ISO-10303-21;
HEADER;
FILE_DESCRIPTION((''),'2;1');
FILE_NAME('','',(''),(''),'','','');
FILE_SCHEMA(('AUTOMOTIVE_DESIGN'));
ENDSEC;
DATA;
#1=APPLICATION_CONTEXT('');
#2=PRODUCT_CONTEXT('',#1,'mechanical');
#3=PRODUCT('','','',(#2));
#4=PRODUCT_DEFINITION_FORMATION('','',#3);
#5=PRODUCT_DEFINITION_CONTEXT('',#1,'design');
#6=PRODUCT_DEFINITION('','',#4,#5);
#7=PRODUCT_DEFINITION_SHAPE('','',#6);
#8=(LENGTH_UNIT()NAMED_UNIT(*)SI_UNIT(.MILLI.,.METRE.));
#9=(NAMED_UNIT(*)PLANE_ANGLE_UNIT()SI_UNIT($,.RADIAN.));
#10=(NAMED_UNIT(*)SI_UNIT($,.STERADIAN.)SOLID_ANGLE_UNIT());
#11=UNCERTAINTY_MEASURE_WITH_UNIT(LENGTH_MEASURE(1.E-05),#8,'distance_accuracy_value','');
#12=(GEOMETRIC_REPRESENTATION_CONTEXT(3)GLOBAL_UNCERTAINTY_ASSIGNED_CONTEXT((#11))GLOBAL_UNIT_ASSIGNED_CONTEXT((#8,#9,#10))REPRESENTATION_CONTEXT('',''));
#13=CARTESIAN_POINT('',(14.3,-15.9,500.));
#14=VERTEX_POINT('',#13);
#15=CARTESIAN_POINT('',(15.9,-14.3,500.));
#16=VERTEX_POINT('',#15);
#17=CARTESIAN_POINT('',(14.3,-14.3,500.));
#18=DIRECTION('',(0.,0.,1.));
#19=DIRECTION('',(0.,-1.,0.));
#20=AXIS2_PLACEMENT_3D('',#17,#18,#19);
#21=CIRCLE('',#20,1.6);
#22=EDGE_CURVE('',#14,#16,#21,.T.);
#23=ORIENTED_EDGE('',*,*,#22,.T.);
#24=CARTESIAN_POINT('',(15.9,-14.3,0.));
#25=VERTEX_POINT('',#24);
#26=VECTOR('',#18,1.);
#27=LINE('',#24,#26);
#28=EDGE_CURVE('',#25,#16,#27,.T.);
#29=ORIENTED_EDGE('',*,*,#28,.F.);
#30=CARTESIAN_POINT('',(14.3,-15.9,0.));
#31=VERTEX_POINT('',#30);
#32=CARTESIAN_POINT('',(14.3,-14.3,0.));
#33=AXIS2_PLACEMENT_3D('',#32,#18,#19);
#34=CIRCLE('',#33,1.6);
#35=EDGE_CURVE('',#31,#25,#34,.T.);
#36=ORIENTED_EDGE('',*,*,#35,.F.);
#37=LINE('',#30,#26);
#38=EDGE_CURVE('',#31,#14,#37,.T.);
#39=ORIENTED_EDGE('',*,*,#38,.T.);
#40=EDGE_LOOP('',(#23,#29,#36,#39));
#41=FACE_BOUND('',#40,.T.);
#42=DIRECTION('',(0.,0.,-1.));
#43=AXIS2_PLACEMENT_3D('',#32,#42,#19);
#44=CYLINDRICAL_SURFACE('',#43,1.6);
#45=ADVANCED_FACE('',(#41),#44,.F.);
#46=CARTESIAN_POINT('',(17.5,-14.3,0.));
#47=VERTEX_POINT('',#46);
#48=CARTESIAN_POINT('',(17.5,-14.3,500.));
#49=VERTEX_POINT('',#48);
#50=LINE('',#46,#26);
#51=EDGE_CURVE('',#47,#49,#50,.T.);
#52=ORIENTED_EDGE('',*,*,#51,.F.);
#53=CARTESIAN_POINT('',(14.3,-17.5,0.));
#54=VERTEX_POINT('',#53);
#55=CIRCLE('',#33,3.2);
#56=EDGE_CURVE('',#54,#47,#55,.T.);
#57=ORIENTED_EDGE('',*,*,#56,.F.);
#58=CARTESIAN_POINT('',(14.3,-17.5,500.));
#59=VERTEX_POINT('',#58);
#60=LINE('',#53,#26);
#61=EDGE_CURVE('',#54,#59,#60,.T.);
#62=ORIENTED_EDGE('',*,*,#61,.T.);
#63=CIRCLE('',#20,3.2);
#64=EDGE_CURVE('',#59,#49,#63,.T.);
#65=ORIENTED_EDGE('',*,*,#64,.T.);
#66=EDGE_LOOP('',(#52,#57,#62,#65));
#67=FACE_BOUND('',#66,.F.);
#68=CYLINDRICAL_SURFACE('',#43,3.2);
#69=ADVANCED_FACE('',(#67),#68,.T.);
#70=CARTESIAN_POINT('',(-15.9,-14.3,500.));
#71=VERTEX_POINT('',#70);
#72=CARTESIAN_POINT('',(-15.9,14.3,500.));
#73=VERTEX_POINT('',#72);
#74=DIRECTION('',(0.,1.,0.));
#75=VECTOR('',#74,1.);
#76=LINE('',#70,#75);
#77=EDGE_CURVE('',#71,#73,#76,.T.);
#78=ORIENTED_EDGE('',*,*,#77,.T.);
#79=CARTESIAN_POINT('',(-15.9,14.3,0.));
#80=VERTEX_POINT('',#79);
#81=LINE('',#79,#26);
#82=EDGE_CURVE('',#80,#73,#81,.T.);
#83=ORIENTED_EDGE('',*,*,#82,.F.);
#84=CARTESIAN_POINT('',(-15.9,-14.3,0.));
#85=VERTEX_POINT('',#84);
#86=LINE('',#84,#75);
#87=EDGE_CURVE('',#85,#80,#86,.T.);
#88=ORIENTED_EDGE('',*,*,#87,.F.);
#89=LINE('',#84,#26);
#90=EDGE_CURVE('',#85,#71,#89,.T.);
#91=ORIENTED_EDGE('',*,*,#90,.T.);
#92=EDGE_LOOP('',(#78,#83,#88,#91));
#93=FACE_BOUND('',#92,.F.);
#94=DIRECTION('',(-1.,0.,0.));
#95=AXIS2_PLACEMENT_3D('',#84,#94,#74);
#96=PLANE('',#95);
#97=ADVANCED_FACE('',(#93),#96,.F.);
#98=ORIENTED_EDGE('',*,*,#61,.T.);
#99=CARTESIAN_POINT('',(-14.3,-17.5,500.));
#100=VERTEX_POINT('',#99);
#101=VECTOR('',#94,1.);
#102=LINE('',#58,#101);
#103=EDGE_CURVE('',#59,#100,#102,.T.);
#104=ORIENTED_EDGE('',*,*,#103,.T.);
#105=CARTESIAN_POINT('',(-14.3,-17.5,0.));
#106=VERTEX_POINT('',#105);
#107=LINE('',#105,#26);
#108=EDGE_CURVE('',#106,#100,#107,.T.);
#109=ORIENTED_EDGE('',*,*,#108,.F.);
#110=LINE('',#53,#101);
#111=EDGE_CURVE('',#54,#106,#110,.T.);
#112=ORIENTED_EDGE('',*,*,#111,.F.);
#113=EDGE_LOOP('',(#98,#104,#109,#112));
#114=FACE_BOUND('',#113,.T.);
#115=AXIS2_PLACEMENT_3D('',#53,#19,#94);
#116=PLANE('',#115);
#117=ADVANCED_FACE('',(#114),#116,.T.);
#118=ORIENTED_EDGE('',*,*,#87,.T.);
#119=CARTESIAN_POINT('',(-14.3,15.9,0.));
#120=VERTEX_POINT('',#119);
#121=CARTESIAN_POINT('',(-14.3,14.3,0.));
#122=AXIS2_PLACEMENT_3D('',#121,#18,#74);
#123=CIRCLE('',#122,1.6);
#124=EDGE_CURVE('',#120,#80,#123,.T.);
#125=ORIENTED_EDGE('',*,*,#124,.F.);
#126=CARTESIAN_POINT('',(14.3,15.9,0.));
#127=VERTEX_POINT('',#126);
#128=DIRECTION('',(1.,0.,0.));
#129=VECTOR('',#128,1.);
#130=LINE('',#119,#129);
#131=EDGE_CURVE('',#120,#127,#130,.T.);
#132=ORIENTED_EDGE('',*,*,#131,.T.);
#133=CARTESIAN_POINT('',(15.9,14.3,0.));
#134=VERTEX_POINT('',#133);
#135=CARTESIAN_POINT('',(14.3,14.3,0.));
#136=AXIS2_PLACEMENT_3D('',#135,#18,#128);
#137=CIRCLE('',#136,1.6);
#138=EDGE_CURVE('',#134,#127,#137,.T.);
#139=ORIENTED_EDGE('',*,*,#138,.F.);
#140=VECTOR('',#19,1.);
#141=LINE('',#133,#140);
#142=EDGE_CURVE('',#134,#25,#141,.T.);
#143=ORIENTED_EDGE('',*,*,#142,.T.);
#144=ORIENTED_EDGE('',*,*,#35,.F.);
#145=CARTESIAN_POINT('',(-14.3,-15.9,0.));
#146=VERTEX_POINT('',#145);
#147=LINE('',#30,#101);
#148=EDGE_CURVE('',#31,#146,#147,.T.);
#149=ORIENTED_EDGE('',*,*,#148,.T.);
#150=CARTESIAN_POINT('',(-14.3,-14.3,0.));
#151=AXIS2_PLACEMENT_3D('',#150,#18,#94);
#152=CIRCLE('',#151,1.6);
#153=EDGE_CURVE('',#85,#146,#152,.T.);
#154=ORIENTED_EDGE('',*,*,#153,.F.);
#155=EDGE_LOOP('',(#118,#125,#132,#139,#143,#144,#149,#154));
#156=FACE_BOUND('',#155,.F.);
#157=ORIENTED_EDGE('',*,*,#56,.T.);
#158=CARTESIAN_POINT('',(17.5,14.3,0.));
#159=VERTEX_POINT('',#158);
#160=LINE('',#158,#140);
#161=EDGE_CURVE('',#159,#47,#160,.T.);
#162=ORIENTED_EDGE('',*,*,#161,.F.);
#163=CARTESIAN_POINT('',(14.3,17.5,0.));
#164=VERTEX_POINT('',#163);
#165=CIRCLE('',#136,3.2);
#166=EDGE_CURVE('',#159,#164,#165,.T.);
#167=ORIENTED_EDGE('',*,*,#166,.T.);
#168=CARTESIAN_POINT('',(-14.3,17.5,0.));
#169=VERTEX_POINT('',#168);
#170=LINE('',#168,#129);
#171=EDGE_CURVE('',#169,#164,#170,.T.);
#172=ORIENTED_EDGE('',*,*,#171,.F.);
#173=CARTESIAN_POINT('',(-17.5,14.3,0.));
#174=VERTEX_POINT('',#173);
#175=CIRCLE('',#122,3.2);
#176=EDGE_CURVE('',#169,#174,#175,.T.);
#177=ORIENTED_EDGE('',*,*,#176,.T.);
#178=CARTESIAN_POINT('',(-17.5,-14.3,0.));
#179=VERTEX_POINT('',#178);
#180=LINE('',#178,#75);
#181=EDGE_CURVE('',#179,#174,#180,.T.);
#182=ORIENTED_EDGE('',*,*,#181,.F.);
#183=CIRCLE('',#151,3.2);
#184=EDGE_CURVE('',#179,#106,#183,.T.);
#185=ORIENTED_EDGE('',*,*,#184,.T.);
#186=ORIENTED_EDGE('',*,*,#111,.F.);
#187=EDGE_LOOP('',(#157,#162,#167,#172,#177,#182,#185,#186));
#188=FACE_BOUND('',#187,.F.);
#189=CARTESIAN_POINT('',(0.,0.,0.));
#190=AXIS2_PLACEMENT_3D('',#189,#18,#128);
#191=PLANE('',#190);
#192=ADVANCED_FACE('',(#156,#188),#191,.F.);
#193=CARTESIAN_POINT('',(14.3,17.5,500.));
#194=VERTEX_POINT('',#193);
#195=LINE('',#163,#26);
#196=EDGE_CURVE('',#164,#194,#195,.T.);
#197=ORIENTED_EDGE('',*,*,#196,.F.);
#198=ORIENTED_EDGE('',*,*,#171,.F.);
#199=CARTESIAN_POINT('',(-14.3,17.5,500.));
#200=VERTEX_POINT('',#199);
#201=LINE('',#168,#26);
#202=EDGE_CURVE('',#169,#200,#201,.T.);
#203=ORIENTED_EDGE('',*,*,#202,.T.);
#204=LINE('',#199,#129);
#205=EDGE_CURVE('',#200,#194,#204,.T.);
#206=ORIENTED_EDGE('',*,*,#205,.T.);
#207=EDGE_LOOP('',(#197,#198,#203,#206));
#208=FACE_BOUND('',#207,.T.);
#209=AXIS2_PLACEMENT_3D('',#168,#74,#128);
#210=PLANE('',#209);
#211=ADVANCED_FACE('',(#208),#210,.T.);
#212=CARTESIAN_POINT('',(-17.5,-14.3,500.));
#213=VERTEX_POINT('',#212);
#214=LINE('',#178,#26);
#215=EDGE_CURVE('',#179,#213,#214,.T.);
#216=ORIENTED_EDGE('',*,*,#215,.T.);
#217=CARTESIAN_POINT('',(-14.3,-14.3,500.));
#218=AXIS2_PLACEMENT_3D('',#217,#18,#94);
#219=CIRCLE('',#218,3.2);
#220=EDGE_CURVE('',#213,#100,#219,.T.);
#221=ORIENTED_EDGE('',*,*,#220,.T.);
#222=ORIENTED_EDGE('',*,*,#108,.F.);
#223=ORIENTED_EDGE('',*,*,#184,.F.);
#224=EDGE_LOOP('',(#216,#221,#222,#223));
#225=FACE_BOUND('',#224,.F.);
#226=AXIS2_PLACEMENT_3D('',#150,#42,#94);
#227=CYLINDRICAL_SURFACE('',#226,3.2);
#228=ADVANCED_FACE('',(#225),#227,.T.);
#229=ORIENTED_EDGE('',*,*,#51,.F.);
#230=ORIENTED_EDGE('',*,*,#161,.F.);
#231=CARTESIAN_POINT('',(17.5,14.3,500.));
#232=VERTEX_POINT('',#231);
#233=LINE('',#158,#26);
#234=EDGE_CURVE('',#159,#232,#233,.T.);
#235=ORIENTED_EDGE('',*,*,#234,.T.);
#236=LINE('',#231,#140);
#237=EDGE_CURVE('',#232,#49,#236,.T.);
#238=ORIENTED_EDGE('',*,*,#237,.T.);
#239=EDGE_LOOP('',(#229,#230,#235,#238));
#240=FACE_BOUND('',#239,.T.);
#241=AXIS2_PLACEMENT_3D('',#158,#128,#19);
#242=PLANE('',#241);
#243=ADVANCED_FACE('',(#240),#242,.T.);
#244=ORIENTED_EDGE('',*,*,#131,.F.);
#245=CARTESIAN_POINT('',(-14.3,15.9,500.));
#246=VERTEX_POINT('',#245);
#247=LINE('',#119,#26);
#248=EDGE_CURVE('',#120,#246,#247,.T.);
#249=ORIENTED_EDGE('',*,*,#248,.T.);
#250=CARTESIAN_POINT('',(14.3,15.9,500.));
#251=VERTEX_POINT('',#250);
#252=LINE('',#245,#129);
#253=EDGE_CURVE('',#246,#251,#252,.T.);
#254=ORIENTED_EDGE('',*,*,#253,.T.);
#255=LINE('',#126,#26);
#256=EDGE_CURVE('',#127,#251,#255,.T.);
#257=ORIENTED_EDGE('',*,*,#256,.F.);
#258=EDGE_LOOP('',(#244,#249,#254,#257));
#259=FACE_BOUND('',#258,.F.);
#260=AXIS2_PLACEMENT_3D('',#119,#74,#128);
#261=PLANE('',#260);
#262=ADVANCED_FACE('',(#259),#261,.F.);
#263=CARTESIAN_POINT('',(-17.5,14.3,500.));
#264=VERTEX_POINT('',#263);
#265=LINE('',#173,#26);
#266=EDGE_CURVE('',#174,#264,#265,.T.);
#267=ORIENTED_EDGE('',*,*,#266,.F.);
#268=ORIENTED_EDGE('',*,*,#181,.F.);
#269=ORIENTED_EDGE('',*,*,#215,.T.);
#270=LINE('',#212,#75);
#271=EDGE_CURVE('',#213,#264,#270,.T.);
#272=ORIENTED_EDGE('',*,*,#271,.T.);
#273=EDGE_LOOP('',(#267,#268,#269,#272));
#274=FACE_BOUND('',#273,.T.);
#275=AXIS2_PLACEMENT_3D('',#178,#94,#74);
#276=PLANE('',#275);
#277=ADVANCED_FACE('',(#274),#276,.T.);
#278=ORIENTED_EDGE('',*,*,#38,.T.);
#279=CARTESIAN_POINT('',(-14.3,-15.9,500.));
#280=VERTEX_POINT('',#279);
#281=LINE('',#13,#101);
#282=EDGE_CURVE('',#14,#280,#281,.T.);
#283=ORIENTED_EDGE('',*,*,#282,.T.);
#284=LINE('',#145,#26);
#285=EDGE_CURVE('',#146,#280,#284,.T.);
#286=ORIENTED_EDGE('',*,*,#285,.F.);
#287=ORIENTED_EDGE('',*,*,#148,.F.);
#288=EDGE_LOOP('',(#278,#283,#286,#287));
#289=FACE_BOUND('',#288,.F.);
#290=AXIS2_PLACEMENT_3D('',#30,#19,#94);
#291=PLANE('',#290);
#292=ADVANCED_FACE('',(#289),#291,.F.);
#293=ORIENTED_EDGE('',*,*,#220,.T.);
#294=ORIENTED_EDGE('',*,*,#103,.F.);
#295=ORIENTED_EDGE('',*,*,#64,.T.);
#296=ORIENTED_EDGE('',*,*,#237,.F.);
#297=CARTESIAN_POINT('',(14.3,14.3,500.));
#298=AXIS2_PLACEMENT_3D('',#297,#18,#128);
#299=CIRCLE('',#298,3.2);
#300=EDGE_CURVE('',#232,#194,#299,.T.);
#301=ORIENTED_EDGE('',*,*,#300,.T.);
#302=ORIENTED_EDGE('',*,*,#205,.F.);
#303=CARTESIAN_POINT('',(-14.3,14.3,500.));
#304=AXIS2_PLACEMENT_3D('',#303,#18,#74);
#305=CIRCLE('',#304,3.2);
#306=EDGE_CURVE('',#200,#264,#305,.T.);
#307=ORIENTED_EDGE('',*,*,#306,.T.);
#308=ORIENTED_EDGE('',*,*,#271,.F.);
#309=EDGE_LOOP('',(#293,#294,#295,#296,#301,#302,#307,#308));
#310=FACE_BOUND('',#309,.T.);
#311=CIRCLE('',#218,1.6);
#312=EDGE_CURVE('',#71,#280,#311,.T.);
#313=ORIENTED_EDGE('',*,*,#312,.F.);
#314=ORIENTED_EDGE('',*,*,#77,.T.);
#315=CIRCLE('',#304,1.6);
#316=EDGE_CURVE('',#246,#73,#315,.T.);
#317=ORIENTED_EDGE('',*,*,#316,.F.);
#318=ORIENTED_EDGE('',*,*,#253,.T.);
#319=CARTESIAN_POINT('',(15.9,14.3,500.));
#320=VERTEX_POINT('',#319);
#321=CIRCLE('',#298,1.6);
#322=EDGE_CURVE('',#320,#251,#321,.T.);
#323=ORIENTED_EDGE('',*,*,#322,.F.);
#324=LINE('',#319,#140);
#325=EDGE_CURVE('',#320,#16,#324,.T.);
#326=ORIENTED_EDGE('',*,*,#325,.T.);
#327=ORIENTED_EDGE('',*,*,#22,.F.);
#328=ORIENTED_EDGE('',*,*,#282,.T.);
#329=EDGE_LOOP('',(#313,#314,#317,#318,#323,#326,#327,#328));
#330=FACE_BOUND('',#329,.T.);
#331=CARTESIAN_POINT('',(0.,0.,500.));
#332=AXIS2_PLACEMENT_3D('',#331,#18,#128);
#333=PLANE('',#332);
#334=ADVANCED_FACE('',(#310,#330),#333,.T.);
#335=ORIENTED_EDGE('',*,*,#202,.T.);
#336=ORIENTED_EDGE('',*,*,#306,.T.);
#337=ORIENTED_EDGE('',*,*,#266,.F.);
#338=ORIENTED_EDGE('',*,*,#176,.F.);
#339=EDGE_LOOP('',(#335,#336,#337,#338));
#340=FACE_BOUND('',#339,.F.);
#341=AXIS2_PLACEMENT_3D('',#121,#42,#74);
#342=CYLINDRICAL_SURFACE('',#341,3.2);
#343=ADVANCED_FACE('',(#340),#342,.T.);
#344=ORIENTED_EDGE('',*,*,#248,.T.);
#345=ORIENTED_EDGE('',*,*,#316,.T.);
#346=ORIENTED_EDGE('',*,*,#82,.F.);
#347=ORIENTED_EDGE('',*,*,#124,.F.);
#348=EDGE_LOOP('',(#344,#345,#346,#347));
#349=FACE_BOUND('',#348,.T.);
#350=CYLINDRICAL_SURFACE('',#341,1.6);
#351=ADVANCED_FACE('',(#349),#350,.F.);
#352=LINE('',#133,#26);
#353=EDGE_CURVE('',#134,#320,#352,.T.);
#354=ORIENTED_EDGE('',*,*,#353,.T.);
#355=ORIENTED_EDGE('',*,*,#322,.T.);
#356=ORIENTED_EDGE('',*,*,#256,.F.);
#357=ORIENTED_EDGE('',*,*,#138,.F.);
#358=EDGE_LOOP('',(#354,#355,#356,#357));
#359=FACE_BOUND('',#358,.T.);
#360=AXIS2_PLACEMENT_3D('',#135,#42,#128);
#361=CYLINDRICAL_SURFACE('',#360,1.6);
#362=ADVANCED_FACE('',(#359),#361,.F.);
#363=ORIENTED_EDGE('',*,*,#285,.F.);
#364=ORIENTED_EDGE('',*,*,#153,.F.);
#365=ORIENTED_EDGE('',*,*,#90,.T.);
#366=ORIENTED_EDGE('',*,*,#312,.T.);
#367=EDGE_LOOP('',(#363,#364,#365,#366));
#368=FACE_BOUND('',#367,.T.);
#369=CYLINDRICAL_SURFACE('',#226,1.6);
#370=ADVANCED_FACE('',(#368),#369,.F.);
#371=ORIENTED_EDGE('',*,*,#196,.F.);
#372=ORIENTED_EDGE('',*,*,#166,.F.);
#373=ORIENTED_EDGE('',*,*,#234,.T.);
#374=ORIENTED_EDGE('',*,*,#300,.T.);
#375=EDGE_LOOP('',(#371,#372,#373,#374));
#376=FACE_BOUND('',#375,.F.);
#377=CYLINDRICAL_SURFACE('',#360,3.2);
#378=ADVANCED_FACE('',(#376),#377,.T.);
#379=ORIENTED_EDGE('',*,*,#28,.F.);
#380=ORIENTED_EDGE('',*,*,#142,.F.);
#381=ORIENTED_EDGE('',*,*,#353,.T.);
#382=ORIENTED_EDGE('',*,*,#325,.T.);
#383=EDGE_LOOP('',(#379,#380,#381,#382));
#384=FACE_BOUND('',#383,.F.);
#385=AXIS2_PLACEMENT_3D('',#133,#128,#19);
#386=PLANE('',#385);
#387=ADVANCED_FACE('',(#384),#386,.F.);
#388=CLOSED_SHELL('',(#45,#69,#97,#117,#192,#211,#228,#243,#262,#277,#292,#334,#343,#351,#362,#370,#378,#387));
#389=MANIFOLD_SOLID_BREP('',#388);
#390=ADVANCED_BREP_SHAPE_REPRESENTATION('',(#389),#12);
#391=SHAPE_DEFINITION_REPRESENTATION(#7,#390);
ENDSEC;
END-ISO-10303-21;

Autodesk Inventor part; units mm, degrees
ref_plane "YZ Plane" through (0, 0, 0) normal (1, 0, 0) x (0, 1, 0)
ref_plane "Start plane" through (0, 0, 0) normal (0, 0, 1) x (1, 0, 0)
ref_plane "End plane" through (0, 0, 500) normal (0, 0, 1) x (1, 0, 0)
sketch "Sketch" plane through (0, 0, 0) normal (0, 0, 1) x (1, 0, 0)
  line L0 (-17.5, -14.3) -> (-17.5, 14.3)
  line L1 (-14.3, 17.5) -> (14.3, 17.5)
  line L2 (17.5, 14.3) -> (17.5, -14.3)
  line L3 (14.3, -17.5) -> (-14.3, -17.5)
  arc A0 (-17.5, -14.3) -> (-14.3, -17.5) centre (-14.3, -14.3) ccw
  arc A1 (-14.3, 17.5) -> (-17.5, 14.3) centre (-14.3, 14.3) ccw
  arc A2 (17.5, 14.3) -> (14.3, 17.5) centre (14.3, 14.3) ccw
  arc A3 (14.3, -17.5) -> (17.5, -14.3) centre (14.3, -14.3) ccw
  arc A4 (-14.3, 15.9) -> (-15.9, 14.3) centre (-14.3, 14.3) ccw
  line L4 (-14.3, 15.9) -> (14.3, 15.9)
  arc A5 (15.9, 14.3) -> (14.3, 15.9) centre (14.3, 14.3) ccw
  line L5 (15.9, 14.3) -> (15.9, -14.3)
  arc A6 (14.3, -15.9) -> (15.9, -14.3) centre (14.3, -14.3) ccw
  line L6 (14.3, -15.9) -> (-14.3, -15.9)
  arc A7 (-15.9, -14.3) -> (-14.3, -15.9) centre (-14.3, -14.3) ccw
  line L7 (-15.9, -14.3) -> (-15.9, 14.3)
  line L8 (0, 25.4278) -> (0, -25.4278) construction
  line L9 (-25.4278, 0) -> (25.4278, 0) construction
  dimension "d7" = 3.2
  dimension "d10" = 35
  dimension "d11" = 35
  dimension "d12" = 1.6
  dimension "d15" = 17.5
  dimension "d16" = 17.5
extrude "Body" add sketch "Sketch" along normal up to surface (500 mm away) from surface at 0
sketch "Sketch3" plane through (0, 0, 0) normal (0, 0, 1) x (1, 0, 0)
  line L0 (0, 0) -> (10, 0)
ref_plane "Work Plane3" through (0, 0, 0) normal (0, -1, 0) x (1, 0, 0)
sketch "Sketch4" plane through (0, 0, 0) normal (0, -1, 0) x (1, 0, 0)
  line L0 (-2, 0) -> (12, 0)
  line L1 (-2, 500) -> (12, 500)
  dimension "d18" = 500
equation "\"d7\" = G_IR"
equation "\"d10\" = G_H"
equation "\"d11\" = G_W"
equation "\"d12\" = G_T"
equation "\"d15\" = 0.5 * d10"
equation "\"d16\" = 0.5 * d11"
equation "\"d3\" = G_L"
equation "\"G_W\" = 35"
equation "\"G_H\" = 35"
equation "\"G_T\" = 1.6"
equation "\"G_IR\" = 3.2"
equation "\"G_L\" = d18"
equation "\"G_OFFSET_START\" = 0"
equation "\"G_OFFSET_END\" = 0"
properties part number "AS 1163 - C350L0 35x35x1.6 SHS - 500" material "Steel, Mild"
